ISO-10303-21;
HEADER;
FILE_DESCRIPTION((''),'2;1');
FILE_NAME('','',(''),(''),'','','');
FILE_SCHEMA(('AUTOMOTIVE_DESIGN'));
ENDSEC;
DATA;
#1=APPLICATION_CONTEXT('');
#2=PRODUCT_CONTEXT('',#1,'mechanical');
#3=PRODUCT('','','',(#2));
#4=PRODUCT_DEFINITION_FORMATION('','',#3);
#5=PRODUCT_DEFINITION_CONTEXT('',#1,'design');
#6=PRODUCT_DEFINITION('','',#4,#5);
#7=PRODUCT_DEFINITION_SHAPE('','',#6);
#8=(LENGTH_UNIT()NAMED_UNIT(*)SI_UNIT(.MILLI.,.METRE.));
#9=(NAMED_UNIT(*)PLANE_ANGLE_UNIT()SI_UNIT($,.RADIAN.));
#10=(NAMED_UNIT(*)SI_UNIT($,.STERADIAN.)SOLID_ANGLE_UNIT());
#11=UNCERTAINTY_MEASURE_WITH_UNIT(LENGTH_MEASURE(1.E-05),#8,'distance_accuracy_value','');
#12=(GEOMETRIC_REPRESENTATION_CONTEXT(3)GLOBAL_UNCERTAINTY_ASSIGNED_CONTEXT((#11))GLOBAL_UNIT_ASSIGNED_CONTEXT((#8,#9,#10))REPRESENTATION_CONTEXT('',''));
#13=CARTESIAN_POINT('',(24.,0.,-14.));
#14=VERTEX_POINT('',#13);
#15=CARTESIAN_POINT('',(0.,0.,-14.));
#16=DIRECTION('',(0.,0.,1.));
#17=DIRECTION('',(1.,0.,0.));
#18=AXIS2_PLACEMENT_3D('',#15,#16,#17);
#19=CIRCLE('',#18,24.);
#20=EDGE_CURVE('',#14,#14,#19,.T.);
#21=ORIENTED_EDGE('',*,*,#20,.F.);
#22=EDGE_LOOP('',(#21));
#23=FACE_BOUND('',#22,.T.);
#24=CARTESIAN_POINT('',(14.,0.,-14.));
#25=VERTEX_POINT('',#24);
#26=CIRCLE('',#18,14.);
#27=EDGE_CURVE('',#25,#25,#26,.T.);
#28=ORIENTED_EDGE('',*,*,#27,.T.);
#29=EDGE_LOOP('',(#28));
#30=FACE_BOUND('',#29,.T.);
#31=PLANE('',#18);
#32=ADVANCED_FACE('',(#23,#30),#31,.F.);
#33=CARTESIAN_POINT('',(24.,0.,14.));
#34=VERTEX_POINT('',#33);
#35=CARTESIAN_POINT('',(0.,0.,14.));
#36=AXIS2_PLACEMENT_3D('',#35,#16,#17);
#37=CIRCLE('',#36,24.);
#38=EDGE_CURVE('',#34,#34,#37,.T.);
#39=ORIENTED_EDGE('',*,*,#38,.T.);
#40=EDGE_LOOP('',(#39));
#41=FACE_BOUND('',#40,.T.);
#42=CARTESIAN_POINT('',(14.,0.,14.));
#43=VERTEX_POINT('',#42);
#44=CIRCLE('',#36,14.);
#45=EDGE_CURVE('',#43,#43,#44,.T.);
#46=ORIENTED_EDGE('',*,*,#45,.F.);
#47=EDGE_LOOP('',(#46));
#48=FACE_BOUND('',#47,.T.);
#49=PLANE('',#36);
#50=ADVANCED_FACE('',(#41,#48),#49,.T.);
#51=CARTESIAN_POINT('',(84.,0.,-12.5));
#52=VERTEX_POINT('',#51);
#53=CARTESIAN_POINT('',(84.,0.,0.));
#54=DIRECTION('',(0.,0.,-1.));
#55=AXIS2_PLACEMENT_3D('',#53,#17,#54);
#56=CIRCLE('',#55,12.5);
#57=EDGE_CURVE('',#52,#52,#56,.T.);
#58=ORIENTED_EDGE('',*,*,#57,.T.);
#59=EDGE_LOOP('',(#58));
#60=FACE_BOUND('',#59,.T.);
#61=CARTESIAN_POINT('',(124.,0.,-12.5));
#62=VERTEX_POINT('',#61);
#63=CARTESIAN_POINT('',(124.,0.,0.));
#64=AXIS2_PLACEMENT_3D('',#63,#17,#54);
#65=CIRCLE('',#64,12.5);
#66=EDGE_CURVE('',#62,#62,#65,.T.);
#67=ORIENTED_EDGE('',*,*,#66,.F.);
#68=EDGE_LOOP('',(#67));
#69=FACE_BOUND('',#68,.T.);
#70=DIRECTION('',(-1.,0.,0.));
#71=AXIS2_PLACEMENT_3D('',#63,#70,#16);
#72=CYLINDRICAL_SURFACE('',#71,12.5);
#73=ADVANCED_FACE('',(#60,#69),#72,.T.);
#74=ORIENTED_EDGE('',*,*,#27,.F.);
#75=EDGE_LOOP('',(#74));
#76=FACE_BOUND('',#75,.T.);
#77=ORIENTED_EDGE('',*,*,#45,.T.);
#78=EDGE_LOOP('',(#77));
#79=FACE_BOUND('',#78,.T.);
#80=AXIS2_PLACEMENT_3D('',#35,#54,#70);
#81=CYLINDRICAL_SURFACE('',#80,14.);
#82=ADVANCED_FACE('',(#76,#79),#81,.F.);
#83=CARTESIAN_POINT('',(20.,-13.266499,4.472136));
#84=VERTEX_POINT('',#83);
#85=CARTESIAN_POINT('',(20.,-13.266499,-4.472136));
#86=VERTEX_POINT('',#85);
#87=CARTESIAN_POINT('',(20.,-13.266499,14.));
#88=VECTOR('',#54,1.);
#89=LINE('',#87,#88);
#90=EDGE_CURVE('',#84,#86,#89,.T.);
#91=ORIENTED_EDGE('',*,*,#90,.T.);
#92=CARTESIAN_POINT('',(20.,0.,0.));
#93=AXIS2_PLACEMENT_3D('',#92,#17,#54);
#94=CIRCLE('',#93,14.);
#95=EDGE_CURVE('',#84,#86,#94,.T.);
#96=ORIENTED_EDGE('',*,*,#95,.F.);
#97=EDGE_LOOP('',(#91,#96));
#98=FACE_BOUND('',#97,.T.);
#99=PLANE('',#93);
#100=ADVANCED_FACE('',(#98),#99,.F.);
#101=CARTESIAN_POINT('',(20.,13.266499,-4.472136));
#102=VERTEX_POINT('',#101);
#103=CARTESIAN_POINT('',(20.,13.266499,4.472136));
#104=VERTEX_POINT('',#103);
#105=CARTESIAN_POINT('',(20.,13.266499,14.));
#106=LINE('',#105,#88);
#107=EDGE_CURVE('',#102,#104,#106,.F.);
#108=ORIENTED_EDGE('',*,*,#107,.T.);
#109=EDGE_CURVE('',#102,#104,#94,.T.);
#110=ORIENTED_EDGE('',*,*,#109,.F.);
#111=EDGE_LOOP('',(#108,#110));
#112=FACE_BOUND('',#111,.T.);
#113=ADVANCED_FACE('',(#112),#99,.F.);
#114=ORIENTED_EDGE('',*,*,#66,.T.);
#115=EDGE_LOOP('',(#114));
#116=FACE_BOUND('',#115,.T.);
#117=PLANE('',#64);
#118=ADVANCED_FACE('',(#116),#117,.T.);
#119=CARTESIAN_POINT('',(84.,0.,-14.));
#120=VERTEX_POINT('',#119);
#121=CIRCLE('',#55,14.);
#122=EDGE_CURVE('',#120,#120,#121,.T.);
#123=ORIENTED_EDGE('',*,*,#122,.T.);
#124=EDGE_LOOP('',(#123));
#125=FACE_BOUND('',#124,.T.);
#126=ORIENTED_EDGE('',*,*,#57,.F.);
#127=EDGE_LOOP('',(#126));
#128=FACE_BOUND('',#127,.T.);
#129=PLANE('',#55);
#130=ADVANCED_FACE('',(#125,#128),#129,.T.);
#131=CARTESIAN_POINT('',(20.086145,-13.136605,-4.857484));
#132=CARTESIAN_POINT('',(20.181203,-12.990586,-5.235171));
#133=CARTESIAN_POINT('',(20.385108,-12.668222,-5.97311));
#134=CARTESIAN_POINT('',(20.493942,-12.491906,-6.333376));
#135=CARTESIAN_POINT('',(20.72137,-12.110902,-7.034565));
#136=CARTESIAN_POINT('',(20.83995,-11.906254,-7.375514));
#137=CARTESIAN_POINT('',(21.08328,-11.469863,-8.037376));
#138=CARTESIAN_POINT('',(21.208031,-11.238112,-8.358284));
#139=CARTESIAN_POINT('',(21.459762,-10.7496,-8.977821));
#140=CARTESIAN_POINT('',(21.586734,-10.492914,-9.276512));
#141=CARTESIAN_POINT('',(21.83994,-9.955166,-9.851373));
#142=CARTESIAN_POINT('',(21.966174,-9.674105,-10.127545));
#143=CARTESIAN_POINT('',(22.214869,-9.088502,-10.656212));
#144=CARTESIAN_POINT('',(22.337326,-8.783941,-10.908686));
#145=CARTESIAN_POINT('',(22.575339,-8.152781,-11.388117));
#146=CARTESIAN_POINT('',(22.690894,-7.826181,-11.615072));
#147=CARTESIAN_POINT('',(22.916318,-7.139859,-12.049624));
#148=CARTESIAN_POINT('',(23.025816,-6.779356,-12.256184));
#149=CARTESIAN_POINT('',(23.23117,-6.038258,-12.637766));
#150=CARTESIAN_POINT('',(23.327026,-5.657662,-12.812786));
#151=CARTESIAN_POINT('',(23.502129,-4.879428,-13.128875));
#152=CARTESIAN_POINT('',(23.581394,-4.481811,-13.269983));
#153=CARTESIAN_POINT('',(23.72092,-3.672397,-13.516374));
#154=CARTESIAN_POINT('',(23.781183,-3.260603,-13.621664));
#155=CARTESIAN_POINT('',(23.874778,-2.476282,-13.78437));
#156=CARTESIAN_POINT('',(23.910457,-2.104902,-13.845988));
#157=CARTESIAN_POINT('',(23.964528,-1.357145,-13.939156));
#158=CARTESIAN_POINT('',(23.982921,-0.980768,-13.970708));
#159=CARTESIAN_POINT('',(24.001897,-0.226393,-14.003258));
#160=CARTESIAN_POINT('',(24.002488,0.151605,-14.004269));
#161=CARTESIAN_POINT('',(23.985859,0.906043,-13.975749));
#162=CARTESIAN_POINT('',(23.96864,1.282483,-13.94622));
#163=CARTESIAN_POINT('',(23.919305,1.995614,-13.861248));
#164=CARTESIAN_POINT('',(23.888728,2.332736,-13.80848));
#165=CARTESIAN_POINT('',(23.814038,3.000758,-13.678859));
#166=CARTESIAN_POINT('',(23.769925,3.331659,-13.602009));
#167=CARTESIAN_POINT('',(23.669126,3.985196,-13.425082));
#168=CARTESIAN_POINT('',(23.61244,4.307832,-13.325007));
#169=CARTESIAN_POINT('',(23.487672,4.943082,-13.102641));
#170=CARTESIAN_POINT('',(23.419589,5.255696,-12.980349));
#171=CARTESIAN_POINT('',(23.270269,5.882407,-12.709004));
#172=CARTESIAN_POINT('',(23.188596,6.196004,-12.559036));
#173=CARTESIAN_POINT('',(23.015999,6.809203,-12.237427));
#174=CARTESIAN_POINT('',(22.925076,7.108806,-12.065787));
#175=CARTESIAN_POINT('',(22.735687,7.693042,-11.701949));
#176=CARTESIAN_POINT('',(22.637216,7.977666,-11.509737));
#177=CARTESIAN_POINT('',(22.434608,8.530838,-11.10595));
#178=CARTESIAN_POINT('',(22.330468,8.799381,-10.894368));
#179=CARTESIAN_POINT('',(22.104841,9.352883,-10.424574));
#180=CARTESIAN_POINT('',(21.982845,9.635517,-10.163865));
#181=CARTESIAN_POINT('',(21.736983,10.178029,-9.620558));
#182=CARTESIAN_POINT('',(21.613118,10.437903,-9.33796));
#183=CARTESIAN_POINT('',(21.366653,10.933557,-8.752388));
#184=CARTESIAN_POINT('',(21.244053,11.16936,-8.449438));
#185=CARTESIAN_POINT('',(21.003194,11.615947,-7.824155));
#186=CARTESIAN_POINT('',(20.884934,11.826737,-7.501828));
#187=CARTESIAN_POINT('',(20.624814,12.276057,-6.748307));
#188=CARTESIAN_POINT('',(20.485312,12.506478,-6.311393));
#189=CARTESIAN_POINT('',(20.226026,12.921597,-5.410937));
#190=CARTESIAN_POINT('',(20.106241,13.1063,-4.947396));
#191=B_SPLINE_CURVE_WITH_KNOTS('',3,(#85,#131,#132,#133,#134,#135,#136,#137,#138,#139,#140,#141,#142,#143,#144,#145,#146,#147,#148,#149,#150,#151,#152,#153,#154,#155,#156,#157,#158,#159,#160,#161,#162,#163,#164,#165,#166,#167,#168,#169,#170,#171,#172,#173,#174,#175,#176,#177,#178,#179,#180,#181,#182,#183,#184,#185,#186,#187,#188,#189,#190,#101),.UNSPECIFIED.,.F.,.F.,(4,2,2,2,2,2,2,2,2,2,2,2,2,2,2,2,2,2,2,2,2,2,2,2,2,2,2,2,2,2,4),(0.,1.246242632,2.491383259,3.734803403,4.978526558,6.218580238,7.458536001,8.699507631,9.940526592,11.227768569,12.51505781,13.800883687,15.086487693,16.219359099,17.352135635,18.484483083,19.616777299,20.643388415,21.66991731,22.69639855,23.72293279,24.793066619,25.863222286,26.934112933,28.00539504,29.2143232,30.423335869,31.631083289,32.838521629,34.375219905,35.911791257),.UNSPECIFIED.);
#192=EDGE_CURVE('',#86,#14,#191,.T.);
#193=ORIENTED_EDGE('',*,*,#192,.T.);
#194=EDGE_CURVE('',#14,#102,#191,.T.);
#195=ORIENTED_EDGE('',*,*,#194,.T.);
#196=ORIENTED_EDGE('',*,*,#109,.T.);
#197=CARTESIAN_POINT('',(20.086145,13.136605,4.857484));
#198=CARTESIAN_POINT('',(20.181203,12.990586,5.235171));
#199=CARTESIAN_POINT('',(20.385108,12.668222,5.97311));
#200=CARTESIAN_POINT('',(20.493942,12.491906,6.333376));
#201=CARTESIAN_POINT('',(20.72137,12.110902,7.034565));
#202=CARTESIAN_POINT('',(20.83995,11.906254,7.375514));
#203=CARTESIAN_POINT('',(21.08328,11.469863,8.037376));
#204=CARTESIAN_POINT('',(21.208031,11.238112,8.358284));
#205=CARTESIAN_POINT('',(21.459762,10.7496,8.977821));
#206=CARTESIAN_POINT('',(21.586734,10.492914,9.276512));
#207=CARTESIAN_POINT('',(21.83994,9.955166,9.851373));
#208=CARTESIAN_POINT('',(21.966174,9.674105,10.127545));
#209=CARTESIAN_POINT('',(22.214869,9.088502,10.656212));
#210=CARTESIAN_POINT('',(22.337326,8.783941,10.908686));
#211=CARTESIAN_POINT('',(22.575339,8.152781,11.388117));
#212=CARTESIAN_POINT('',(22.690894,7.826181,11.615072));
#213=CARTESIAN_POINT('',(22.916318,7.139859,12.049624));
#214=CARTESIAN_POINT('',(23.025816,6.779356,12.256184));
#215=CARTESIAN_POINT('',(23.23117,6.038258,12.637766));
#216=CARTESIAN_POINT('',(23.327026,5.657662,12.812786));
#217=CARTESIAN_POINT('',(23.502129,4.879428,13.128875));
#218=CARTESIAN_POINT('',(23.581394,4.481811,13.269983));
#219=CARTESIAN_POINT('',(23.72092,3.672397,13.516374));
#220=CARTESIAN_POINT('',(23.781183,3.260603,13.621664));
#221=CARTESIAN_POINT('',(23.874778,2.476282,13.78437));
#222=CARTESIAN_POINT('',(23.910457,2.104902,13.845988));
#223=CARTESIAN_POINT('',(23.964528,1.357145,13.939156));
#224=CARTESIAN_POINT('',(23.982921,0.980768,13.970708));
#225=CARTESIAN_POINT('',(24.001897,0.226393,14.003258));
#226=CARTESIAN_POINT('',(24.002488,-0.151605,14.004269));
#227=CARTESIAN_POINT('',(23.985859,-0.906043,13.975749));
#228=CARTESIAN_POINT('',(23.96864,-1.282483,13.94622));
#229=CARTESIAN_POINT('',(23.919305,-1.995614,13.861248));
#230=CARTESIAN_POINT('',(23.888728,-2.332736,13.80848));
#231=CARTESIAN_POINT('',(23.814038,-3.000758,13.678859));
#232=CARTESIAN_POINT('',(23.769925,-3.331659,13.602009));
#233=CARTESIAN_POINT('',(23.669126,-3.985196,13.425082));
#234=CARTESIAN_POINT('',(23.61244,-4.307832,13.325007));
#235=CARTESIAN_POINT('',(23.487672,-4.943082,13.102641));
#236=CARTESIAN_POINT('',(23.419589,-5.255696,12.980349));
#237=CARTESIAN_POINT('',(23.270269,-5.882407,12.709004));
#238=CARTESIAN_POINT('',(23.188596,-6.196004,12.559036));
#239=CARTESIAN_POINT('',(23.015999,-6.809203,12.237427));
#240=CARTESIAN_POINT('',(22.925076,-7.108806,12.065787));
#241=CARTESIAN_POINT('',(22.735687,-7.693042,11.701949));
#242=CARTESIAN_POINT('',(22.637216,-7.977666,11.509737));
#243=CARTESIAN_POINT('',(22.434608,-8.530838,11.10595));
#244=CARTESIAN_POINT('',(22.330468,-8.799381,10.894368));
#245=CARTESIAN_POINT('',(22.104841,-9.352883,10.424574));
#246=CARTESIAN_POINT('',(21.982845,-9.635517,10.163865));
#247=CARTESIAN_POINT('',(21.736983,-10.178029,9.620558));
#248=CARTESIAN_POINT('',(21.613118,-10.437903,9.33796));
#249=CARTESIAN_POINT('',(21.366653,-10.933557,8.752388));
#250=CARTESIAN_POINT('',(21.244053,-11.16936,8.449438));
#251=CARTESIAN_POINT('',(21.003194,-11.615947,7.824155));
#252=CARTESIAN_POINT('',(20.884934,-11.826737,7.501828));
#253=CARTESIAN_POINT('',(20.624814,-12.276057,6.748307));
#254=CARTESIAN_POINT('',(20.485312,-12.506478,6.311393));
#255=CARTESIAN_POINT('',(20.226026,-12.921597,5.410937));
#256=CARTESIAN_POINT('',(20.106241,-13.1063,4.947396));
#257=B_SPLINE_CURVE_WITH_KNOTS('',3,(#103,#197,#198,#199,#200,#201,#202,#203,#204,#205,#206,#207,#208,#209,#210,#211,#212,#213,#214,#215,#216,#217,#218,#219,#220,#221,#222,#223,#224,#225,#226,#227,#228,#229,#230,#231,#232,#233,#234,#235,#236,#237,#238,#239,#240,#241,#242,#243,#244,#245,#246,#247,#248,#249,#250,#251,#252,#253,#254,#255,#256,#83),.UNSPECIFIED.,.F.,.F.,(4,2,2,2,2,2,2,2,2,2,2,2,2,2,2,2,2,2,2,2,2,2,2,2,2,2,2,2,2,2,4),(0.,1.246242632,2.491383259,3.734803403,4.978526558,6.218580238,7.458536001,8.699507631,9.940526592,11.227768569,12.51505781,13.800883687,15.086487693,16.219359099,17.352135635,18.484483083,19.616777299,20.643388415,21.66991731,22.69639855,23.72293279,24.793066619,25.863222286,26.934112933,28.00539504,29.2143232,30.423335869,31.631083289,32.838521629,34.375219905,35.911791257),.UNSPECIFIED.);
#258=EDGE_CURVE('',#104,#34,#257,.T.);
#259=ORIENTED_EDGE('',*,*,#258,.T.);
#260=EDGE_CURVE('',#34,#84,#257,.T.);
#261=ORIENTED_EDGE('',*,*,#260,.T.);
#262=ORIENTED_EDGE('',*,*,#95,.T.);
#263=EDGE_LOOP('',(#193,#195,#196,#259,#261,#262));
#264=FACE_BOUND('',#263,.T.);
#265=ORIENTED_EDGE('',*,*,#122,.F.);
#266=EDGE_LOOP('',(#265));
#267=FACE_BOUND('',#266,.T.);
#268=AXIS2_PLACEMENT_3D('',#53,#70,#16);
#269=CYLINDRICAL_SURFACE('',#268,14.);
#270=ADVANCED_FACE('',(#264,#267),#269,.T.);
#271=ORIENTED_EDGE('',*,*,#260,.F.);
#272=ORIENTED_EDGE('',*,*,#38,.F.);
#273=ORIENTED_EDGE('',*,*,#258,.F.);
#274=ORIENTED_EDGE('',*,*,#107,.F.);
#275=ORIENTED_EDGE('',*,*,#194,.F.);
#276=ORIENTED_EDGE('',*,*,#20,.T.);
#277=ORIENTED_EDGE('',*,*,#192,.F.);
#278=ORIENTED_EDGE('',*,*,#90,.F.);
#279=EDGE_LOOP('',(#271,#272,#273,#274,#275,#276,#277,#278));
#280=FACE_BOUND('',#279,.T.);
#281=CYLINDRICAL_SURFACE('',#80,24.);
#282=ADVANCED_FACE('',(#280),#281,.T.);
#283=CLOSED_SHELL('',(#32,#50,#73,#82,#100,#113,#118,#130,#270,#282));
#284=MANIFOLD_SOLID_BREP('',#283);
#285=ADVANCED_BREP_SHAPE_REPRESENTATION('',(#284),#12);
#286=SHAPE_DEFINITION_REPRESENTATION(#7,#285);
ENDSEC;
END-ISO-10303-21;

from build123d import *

# Parameters (mm, degrees)
SKETCH1_R           = 24
SKETCH1_R_2         = 14
BOSS_EXTRUDE3_DEPTH = 14
BOSS_EXTRUDE7_START = 20
SKETCH5_R           = 14
BOSS_EXTRUDE7_DEPTH = 64
SKETCH7_R           = 12.5
BOSS_EXTRUDE8_DEPTH = 40


with BuildPart() as part:
    # Sketch1 → Boss-Extrude3 (new body, symmetric)
    with BuildSketch(Plane.XY):
        Circle(SKETCH1_R)
        Circle(SKETCH1_R_2, mode=Mode.SUBTRACT)
    extrude(amount=BOSS_EXTRUDE3_DEPTH, both=True)

    # Sketch5 → Boss-Extrude7 (add)
    with BuildSketch(Plane(origin=(0, 0, 0), x_dir=(0, 0, -1), z_dir=(1, 0, 0)).offset(BOSS_EXTRUDE7_START)):
        Circle(SKETCH5_R)
    extrude(amount=BOSS_EXTRUDE7_DEPTH)

    # Sketch7 → Boss-Extrude8 (add)
    with BuildSketch(Plane(origin=(84, 0, 0), x_dir=(0, 0, -1), z_dir=(1, 0, 0))):
        Circle(SKETCH7_R)
    extrude(amount=BOSS_EXTRUDE8_DEPTH)


solid = part.part
